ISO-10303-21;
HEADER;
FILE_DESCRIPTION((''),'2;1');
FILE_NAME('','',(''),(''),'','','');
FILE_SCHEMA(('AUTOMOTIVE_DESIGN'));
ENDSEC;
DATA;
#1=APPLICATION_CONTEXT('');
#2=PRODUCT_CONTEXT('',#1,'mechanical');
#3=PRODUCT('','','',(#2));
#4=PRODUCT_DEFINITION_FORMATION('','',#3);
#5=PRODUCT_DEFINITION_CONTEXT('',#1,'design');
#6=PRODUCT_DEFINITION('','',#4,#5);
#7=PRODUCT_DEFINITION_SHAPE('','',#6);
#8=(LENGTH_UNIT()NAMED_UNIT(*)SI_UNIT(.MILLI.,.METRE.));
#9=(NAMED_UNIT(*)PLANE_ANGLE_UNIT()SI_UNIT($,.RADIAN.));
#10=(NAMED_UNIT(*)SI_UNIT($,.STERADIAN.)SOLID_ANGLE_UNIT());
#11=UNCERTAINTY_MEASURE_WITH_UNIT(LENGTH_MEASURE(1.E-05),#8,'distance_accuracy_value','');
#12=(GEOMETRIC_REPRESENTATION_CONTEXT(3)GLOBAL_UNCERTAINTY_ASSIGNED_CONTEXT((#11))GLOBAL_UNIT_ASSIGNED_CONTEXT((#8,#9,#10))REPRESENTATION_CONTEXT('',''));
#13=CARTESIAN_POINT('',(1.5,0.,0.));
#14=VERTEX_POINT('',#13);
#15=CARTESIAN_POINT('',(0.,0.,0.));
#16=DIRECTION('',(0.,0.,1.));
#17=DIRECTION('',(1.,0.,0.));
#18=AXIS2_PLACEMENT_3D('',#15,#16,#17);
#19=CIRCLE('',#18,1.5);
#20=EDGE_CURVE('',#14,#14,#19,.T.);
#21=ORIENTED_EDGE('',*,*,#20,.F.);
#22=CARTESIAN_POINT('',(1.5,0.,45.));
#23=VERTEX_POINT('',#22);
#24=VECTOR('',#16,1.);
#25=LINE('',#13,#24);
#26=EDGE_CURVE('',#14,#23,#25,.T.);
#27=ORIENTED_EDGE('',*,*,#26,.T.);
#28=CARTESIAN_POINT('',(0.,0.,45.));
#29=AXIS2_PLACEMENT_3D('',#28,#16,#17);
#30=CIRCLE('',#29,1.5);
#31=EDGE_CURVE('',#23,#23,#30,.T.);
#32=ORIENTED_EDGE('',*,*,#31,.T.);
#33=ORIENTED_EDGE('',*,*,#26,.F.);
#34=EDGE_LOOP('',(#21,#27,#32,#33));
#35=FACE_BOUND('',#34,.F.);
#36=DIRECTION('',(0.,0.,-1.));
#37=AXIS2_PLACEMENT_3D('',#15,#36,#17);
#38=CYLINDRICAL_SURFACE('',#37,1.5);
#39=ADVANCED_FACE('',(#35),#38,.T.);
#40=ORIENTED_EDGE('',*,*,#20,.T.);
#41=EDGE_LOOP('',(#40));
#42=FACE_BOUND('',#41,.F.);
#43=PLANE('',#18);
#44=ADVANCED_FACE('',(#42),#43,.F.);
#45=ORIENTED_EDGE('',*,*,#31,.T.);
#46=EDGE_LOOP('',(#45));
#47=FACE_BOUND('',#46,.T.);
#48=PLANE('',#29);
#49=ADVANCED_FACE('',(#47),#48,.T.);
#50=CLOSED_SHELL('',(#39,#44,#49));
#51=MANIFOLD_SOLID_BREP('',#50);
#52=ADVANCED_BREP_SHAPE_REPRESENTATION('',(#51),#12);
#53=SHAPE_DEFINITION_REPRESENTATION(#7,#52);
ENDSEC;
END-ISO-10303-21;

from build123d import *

# Parameters (mm, degrees)
SKETCH1_R           = 1.5
BOSS_EXTRUDE1_DEPTH = 45


with BuildPart() as part:
    # Sketch1 → Boss-Extrude1 (new body)
    with BuildSketch(Plane.XY):
        Circle(SKETCH1_R)
    extrude(amount=BOSS_EXTRUDE1_DEPTH)


solid = part.part
